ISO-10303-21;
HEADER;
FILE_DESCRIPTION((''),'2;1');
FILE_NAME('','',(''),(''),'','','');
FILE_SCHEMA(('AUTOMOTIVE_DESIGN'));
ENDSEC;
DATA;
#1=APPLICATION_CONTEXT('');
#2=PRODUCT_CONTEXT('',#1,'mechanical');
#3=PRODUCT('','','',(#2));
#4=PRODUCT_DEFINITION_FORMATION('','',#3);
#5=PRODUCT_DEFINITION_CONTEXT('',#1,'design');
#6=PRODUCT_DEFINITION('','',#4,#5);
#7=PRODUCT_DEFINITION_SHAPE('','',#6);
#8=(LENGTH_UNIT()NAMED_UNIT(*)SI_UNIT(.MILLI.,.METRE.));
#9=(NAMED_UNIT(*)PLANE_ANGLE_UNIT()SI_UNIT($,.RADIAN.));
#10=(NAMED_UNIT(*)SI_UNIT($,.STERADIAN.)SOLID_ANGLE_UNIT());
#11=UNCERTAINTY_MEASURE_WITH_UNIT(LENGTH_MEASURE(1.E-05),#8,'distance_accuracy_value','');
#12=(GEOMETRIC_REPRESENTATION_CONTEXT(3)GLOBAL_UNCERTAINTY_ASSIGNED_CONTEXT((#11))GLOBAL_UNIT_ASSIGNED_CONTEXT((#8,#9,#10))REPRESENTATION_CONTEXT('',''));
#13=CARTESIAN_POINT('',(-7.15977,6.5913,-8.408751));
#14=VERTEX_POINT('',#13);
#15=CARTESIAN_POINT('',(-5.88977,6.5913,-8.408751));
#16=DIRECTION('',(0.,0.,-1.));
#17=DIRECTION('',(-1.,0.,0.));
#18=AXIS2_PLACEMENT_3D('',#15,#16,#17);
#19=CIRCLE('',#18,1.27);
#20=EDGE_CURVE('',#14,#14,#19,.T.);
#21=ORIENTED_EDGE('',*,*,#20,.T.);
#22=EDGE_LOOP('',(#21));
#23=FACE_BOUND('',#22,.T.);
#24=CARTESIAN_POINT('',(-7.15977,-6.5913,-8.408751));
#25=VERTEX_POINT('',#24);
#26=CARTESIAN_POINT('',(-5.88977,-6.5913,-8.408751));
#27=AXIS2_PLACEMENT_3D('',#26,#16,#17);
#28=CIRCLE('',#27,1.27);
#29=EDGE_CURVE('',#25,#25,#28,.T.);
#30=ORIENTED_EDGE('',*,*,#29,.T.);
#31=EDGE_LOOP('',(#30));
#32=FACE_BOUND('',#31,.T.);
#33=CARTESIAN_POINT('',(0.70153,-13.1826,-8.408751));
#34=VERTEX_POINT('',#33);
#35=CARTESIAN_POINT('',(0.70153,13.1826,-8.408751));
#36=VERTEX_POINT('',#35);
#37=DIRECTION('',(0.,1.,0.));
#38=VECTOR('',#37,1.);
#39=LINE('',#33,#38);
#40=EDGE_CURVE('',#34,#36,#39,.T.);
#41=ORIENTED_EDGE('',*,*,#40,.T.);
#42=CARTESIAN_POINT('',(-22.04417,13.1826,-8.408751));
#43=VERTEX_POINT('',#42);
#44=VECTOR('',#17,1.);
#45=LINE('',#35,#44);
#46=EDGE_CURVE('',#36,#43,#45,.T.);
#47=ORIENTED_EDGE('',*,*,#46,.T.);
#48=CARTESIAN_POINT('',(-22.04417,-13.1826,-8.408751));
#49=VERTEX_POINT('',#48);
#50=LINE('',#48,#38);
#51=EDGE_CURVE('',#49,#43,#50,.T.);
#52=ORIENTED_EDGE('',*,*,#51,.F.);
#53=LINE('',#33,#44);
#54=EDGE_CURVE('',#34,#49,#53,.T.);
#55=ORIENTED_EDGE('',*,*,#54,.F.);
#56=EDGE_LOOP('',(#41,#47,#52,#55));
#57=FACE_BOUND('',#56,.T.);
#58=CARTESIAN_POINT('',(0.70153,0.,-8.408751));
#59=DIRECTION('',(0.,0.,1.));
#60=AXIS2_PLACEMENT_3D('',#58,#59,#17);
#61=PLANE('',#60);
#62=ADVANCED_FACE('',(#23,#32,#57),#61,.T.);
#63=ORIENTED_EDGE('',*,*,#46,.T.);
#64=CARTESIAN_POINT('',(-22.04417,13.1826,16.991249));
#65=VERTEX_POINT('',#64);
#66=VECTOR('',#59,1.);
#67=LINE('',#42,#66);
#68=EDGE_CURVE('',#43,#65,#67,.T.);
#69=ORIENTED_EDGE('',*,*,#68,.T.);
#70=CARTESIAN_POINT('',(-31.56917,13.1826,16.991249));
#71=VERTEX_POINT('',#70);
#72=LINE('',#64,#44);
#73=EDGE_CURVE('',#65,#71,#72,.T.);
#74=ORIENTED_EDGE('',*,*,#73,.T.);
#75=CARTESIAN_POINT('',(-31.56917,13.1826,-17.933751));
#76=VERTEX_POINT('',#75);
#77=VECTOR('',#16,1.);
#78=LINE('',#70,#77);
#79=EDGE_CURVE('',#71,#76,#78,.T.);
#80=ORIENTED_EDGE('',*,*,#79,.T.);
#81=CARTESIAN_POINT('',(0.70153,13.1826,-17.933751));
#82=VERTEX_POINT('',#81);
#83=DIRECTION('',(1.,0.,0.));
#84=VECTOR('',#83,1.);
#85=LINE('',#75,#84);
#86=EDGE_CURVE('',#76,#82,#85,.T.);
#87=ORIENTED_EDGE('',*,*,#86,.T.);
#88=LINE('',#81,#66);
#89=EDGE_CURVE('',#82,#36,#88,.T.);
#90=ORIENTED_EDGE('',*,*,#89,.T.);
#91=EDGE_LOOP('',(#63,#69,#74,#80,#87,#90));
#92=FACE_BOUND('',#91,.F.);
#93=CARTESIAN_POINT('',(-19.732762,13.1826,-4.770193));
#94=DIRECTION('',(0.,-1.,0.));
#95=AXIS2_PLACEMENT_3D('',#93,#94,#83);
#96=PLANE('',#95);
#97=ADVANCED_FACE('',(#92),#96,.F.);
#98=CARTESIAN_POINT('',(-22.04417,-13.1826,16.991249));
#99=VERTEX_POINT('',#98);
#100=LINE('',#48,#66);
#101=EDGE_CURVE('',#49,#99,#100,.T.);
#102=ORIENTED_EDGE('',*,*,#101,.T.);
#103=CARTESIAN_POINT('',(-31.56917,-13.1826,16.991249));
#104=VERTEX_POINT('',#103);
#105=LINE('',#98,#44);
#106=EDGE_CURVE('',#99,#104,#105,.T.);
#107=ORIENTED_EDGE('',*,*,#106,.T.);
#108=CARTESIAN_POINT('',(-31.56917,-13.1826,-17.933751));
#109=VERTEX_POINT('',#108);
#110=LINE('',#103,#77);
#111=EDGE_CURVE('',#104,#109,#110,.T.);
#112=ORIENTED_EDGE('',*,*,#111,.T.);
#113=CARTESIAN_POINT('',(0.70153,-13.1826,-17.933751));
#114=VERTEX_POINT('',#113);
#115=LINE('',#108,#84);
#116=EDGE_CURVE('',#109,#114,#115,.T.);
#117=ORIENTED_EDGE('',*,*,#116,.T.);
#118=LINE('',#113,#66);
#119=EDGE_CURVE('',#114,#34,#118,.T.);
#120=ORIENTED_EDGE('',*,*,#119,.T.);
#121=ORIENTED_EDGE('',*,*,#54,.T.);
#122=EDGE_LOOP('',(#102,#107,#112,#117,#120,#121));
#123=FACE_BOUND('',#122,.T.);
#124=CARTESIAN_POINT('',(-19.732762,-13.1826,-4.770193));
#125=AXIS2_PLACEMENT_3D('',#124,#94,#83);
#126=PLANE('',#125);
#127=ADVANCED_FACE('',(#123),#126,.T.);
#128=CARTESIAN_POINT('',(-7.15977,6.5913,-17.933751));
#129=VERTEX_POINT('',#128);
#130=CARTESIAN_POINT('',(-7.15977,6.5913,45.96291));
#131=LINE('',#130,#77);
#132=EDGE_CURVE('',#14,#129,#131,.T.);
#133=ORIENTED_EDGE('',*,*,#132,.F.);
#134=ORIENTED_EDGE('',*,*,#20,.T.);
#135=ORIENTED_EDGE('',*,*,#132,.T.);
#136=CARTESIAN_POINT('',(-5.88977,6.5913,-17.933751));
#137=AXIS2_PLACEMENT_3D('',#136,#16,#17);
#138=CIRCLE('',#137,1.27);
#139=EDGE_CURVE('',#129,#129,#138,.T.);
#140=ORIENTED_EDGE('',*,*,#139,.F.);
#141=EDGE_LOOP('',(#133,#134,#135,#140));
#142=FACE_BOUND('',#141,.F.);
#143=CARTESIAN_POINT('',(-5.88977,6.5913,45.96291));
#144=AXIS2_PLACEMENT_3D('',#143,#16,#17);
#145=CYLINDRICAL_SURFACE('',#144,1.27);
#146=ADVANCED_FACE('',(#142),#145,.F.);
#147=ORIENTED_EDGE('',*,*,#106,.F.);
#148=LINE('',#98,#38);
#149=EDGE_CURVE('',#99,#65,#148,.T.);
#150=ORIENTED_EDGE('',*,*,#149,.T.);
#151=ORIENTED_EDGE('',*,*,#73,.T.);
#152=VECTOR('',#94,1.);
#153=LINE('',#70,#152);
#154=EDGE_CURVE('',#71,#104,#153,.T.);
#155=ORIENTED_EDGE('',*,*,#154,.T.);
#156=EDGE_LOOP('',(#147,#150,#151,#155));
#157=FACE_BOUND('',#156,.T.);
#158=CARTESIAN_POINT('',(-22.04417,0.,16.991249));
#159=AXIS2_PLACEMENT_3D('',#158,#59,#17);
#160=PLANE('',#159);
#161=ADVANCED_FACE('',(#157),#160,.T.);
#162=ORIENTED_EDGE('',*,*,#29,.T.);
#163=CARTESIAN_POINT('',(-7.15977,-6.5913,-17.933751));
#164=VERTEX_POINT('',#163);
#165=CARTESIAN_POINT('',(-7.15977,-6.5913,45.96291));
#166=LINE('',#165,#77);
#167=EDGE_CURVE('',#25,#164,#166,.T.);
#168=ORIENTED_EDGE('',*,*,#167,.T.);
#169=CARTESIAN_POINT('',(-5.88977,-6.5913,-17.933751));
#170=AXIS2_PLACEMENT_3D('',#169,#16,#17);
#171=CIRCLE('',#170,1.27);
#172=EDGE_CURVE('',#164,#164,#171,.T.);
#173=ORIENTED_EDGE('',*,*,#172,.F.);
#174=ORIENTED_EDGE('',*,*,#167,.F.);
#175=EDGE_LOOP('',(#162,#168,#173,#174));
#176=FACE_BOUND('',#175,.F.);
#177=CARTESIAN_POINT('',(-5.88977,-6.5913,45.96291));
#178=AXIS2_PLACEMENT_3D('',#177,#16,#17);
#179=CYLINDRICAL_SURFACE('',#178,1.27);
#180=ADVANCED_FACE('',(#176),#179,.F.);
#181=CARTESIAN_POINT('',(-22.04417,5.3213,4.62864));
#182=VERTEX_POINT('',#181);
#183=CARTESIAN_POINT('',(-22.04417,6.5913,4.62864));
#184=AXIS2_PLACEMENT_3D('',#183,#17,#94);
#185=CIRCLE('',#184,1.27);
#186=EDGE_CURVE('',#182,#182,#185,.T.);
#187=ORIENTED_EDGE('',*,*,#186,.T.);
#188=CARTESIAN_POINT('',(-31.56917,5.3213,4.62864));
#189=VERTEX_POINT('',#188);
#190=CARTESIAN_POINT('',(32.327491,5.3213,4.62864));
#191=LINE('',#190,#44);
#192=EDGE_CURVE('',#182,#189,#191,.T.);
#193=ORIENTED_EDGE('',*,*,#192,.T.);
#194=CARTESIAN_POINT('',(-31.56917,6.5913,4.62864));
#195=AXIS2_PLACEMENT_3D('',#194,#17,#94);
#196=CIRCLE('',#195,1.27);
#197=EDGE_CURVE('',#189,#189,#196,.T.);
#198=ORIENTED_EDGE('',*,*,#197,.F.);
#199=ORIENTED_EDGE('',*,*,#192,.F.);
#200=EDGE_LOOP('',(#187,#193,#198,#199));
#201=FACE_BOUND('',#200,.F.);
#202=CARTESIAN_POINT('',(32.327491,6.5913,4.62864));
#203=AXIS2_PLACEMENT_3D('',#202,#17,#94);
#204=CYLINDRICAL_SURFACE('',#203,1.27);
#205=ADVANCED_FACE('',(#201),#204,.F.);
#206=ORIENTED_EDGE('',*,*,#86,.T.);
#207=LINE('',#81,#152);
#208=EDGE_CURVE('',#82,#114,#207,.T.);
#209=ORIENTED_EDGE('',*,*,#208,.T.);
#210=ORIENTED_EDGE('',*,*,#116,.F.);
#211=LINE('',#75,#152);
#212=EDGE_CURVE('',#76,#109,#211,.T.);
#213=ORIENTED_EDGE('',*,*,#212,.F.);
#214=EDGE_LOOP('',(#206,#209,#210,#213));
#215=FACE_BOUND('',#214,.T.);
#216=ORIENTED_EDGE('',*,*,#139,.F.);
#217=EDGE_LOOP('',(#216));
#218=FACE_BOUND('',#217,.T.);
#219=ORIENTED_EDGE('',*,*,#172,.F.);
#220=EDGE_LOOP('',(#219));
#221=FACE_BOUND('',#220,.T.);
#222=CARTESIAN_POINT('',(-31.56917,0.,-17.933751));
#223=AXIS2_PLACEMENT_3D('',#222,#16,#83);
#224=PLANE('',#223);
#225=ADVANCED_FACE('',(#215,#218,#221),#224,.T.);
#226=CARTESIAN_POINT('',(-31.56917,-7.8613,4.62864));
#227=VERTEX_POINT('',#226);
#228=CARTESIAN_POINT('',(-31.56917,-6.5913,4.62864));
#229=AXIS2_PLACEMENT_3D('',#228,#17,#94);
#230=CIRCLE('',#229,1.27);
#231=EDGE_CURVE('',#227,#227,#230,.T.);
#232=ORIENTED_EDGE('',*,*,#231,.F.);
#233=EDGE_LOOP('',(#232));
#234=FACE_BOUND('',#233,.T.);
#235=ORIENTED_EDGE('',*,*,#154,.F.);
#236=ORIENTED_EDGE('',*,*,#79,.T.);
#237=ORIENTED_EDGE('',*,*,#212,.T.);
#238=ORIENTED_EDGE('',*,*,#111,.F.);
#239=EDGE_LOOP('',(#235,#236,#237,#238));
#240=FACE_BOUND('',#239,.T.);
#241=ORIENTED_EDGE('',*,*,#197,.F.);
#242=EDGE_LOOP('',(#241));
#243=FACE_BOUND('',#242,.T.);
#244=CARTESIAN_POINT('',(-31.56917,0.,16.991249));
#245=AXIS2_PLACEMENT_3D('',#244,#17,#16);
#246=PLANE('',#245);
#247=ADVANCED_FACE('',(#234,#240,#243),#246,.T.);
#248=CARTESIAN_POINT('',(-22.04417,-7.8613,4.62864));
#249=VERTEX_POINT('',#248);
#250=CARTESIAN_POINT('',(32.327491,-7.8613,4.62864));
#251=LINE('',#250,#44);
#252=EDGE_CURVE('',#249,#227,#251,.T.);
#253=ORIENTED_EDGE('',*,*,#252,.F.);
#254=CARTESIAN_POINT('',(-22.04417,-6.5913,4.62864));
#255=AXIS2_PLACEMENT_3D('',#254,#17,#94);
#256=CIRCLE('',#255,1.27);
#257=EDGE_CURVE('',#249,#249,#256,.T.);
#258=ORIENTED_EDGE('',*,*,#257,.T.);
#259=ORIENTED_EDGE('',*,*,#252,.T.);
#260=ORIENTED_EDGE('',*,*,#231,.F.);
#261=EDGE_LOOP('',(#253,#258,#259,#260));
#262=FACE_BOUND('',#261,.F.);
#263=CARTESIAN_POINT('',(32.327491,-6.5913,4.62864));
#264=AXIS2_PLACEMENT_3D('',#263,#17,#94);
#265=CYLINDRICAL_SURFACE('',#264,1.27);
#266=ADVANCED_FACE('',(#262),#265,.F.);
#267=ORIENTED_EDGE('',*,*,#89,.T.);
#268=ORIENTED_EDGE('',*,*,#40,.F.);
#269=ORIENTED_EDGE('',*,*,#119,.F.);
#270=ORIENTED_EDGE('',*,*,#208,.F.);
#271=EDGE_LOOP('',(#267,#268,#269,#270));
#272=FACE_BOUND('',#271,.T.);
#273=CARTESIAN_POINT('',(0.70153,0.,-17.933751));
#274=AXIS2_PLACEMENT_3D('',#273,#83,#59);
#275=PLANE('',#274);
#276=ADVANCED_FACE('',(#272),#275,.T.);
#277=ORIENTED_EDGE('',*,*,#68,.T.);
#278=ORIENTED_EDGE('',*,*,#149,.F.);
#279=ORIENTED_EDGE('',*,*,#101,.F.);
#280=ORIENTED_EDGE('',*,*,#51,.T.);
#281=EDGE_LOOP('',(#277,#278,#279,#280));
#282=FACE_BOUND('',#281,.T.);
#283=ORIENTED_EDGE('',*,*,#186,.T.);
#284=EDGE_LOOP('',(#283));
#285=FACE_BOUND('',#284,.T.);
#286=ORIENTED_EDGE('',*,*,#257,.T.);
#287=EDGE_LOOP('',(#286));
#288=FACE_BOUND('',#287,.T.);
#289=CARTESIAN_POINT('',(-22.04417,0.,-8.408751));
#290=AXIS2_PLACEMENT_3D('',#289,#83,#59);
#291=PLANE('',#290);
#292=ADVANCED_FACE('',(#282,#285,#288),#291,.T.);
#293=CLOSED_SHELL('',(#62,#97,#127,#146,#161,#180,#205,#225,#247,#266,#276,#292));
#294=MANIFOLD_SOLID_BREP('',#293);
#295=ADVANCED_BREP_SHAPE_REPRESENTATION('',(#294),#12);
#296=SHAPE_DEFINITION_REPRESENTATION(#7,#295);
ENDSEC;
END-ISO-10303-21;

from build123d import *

# Parameters (mm, degrees)
F1_DEPTH = 13.1826
F3_D     = 2.54
F5_D     = 2.54


with BuildPart() as f1:
    # F0 (on Front) → F1 (new body, symmetric)
    with BuildSketch(Plane.XZ):
        Polygon((-22.04417, 16.991249), (-31.56917, 16.991249), (-31.56917, -17.933751), (0.70153, -17.933751), (0.70153, -8.408751), (-22.04417, -8.408751), align=None)
    extrude(amount=F1_DEPTH, both=True)

    # F3 (through all)
    with Locations(Plane.XY.offset(-8.408751)):
        with Locations((-5.88977, 6.5913), (-5.88977, -6.5913)):
            Hole(F3_D / 2)

    # F5 (through all)
    with Locations(Plane.YZ.offset(-22.04417)):
        with Locations((-6.5913, 4.62864), (6.5913, 4.62864)):
            Hole(F5_D / 2)


solid = f1.part
